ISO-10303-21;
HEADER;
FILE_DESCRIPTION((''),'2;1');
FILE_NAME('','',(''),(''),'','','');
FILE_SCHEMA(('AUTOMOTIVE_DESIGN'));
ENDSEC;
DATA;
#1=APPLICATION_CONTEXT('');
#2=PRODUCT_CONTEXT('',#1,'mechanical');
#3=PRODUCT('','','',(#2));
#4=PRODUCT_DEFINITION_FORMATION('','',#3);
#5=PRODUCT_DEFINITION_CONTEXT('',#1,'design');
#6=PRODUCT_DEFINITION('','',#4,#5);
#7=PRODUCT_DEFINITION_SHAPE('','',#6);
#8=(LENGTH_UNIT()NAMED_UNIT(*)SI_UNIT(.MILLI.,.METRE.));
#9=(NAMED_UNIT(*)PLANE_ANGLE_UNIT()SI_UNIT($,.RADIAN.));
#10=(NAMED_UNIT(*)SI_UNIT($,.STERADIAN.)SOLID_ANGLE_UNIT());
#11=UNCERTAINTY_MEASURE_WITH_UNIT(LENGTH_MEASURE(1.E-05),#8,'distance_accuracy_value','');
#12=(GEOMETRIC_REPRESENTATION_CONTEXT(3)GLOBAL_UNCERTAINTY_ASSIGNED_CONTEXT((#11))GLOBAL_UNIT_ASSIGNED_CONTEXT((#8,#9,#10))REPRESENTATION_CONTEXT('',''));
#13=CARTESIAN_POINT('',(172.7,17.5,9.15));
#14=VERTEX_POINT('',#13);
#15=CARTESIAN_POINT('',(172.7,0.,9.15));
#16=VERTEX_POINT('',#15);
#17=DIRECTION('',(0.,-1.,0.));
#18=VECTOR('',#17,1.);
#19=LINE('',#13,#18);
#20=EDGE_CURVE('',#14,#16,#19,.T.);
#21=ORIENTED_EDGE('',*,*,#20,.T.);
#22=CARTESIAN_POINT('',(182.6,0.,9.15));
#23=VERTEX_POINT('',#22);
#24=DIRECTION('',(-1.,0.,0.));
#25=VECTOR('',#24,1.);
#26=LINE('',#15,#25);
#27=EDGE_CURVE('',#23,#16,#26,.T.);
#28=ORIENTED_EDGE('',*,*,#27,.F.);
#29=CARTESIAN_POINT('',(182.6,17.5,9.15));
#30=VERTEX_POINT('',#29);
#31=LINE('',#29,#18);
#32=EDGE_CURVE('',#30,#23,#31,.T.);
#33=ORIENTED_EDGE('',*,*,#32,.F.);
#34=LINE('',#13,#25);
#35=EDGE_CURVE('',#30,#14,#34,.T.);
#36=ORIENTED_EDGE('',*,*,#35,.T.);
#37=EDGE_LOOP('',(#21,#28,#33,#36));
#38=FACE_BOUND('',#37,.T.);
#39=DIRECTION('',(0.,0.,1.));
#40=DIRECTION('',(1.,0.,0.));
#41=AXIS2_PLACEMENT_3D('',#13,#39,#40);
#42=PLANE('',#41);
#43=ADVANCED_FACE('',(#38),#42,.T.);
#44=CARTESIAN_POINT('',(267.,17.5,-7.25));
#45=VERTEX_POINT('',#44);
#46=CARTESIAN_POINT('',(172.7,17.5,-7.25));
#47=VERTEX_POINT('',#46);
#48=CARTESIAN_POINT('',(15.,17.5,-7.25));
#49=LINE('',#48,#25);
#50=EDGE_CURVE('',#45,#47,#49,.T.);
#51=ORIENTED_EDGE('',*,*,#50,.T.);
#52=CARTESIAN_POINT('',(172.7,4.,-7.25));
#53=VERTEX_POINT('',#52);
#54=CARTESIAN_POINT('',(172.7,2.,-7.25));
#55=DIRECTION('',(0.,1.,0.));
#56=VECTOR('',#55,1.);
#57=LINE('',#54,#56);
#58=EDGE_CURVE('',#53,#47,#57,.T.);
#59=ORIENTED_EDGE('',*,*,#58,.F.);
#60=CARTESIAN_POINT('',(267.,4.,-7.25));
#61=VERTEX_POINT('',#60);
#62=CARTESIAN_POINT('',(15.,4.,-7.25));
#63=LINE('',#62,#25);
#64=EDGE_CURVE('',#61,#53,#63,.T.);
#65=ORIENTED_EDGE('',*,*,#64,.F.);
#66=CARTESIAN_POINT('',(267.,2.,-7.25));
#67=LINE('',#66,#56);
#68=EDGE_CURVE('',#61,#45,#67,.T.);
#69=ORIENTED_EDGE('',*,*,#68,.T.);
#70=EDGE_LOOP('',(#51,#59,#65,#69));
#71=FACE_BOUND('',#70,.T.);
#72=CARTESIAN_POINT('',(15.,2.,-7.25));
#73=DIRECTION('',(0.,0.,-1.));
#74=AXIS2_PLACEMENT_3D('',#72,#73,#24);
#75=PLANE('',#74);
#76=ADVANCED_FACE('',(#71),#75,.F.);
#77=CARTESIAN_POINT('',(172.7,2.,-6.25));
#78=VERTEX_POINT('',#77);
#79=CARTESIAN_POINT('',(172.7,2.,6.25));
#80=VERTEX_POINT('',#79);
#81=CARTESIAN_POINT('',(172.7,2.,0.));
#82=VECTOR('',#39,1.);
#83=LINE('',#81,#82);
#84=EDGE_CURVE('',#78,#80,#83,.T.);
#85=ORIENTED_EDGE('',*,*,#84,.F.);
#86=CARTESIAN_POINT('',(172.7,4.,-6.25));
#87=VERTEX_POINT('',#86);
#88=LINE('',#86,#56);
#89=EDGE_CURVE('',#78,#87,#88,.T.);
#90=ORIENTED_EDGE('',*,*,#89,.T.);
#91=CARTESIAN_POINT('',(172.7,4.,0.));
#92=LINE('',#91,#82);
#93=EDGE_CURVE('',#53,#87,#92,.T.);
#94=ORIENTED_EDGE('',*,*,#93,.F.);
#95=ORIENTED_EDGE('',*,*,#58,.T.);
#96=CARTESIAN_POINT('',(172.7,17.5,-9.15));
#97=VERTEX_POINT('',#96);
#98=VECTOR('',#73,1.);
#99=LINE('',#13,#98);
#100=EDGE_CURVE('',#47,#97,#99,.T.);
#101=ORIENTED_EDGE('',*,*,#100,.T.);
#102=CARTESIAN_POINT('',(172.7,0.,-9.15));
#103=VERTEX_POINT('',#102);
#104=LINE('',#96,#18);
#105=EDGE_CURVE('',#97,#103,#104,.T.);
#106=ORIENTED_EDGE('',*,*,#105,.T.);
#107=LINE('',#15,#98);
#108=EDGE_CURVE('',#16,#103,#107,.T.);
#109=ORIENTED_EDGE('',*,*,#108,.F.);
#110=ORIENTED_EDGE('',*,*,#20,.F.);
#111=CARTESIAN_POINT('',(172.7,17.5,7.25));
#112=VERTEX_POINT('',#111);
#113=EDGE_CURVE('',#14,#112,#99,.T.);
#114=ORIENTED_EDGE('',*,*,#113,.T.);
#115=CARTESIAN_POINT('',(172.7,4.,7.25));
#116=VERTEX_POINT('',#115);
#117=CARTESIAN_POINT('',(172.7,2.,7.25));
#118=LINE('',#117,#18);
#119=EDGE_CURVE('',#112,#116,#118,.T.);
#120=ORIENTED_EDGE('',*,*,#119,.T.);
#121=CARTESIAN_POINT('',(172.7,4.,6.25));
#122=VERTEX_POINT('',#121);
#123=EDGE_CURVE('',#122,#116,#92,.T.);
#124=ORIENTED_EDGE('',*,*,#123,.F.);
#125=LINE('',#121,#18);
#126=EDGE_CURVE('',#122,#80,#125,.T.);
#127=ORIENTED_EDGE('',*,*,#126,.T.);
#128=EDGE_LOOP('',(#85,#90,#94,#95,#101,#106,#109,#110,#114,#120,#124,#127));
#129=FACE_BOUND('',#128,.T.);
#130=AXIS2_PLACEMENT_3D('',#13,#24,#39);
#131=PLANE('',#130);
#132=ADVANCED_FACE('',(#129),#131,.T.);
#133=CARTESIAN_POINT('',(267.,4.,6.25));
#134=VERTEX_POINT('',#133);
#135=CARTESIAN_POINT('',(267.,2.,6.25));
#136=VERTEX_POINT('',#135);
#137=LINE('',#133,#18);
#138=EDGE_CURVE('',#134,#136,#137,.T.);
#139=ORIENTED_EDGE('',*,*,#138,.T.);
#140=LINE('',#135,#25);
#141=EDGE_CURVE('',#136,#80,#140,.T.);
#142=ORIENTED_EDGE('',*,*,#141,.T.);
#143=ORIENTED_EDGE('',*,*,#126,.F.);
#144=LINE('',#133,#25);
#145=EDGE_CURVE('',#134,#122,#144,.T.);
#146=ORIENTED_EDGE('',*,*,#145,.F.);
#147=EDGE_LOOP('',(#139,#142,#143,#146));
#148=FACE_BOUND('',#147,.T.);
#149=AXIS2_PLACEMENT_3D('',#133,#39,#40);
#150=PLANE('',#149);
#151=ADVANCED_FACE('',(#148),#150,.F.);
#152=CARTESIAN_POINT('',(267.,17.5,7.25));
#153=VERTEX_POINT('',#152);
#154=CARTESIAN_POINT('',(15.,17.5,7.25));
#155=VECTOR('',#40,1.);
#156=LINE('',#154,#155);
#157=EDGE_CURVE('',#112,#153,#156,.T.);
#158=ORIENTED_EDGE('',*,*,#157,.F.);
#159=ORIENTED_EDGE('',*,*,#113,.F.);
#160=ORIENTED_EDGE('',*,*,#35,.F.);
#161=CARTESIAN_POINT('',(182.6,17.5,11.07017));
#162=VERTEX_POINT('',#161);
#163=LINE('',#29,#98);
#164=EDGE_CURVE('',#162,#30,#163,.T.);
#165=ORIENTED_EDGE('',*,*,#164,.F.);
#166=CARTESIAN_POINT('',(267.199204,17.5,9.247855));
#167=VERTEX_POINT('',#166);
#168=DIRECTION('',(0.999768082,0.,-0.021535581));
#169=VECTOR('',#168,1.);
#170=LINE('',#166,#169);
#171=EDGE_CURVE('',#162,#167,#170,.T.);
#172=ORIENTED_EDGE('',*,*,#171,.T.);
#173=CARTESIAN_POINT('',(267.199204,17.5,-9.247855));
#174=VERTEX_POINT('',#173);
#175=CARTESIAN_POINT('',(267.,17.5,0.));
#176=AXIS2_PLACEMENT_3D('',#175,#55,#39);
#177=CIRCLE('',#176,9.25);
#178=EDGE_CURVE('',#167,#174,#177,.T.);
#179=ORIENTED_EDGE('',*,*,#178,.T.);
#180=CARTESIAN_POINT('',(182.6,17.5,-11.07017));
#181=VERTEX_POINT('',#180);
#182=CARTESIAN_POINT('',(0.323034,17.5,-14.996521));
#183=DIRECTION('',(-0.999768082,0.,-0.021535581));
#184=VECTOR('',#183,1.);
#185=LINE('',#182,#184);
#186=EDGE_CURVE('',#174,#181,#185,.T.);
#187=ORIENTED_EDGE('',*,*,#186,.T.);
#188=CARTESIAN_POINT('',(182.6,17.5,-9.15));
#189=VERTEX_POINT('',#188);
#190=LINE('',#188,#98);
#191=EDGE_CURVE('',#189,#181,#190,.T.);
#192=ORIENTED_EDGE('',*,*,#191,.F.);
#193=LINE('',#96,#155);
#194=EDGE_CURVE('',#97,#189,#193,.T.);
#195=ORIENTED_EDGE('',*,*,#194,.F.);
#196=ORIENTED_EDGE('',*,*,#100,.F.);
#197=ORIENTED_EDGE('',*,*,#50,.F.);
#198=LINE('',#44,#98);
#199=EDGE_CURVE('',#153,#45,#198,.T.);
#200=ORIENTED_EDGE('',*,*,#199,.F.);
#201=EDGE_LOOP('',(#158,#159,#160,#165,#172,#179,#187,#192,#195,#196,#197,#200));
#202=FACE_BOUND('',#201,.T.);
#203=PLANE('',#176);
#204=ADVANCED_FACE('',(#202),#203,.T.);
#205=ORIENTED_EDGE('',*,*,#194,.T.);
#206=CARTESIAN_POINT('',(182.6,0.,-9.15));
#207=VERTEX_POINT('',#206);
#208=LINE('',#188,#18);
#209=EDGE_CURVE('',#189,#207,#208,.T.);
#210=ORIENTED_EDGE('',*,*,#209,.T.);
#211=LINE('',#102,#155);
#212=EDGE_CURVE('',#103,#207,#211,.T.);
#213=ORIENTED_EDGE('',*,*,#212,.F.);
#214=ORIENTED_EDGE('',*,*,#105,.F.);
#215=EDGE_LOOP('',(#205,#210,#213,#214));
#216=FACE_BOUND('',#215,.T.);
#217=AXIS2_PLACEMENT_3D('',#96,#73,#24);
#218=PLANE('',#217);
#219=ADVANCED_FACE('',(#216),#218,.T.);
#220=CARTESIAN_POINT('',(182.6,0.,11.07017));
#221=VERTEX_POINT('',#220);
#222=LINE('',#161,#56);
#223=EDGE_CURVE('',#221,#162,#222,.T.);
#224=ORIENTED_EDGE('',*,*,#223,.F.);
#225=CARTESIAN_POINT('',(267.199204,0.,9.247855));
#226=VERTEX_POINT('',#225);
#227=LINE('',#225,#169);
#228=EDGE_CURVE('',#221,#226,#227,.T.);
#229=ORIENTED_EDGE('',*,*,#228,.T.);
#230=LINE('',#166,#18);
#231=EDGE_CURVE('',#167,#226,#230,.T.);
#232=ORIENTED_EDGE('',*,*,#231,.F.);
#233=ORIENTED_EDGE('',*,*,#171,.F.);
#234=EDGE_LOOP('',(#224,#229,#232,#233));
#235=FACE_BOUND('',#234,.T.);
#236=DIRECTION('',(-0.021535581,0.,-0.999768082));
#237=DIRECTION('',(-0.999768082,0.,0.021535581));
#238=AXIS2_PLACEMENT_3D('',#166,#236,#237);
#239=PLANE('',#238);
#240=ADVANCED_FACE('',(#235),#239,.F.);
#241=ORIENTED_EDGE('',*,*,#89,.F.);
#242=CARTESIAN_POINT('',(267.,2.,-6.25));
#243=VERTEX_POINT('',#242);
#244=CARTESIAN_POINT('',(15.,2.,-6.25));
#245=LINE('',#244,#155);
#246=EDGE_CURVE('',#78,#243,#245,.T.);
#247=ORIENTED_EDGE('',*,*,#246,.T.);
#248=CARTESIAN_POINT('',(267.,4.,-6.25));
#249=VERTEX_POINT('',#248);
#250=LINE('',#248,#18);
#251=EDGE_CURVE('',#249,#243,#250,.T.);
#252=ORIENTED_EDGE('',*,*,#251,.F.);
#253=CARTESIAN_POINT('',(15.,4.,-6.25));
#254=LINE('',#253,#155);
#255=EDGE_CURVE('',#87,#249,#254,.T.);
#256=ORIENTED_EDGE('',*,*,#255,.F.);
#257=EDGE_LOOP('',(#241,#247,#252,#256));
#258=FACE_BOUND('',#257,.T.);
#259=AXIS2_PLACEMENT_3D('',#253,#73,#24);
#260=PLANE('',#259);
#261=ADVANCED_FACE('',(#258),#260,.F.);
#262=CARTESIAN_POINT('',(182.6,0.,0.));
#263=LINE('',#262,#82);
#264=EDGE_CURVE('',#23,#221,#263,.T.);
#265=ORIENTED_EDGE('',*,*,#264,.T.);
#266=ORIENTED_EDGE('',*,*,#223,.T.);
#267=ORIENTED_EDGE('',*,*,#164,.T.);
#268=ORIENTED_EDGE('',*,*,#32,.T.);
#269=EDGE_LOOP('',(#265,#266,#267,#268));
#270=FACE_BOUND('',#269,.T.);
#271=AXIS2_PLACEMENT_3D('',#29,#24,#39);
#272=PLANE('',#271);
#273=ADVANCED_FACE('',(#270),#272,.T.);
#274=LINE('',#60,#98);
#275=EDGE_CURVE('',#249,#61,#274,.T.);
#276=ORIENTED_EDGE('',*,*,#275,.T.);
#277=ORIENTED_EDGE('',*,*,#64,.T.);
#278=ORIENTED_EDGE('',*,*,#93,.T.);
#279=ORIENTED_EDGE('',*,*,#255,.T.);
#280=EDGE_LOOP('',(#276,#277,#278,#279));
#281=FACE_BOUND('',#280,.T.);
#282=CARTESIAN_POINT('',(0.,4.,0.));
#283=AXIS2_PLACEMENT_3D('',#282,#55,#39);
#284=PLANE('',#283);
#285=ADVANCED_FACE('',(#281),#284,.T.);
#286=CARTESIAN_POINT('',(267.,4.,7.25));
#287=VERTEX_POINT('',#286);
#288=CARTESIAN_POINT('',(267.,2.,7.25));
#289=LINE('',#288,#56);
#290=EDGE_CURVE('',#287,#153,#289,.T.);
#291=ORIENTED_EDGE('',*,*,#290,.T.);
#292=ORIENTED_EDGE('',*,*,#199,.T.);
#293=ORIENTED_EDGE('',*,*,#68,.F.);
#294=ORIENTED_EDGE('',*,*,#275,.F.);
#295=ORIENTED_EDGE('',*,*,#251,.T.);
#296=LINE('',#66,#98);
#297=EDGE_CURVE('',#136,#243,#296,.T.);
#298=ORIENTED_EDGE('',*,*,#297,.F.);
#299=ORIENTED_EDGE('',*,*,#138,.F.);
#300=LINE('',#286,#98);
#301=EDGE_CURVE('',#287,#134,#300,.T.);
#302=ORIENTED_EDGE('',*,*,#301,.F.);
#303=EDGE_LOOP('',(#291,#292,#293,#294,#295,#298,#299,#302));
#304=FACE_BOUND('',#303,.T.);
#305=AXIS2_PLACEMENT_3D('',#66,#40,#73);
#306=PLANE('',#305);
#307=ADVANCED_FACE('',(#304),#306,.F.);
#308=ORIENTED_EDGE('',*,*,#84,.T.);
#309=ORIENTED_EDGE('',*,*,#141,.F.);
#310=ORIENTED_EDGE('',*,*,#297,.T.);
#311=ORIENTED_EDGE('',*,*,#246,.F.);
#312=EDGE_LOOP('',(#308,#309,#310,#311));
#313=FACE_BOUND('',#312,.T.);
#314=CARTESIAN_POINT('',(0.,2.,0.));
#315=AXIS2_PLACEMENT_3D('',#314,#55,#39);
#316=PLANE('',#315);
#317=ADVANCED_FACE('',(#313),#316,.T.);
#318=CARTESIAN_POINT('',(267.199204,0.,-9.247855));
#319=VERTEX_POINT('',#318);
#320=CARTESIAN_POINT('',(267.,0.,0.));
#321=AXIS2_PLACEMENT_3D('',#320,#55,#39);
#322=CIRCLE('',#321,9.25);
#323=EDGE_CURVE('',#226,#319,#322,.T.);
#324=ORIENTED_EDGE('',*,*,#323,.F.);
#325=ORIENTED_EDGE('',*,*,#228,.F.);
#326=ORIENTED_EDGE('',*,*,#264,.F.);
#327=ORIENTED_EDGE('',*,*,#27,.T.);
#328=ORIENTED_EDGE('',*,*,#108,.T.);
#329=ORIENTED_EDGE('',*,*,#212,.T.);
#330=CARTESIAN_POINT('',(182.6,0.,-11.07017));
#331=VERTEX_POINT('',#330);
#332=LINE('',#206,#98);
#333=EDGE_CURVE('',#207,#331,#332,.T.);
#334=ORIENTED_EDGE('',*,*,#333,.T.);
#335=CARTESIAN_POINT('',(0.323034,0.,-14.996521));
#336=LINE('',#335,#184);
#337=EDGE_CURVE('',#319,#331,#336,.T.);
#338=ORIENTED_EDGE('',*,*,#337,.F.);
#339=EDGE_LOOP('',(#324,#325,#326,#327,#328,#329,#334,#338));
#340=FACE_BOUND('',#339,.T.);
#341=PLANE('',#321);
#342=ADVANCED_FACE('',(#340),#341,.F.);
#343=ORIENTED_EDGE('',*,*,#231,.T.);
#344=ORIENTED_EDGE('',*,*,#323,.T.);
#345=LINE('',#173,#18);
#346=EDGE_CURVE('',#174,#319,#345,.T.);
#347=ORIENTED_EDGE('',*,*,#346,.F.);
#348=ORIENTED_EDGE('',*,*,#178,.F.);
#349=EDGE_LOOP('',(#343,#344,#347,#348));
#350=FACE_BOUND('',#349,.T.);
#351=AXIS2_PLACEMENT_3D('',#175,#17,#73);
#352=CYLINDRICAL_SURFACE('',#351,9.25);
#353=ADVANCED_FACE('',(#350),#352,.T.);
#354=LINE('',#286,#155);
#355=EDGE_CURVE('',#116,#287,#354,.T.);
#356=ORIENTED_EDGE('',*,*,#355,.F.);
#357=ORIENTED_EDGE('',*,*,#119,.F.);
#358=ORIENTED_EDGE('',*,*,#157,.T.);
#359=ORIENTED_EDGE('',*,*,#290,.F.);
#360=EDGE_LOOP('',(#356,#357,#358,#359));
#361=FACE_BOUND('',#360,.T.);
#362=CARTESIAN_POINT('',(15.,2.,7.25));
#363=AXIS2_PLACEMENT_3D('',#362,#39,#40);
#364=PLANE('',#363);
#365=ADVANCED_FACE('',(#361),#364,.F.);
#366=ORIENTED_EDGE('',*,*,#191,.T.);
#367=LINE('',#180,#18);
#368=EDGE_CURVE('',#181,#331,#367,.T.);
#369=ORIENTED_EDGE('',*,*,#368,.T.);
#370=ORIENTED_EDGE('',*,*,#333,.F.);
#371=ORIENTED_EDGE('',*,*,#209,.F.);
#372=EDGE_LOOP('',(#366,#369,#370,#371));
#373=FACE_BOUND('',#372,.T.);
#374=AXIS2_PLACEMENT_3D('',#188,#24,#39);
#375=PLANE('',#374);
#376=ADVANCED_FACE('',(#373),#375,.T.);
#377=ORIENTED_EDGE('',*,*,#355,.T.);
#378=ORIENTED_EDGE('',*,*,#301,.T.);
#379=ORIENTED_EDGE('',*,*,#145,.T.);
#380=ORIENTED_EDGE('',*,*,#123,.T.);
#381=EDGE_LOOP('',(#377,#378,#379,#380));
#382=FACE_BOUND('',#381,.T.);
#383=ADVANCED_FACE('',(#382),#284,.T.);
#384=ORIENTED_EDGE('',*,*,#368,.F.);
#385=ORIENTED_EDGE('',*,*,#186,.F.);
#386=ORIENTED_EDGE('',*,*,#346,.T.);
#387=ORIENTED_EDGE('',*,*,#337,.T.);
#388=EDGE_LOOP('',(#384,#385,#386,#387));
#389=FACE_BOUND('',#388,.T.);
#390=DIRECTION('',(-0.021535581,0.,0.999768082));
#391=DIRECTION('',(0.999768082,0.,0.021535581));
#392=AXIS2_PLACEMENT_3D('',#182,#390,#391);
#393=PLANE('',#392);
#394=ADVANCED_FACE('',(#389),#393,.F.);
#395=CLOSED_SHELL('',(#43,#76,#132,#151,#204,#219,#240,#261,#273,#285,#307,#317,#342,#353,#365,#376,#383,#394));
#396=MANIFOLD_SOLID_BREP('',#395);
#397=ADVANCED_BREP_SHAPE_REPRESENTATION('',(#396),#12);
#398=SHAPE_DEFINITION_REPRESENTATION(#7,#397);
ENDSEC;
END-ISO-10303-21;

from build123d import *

# Parameters (mm, degrees)
BOSS_EXTRUDE1_DEPTH     = 17.5
SKETCH2_W               = 252
SKETCH2_H               = 14.5
CUT_EXTRUDE1_DEPTH      = 15.5
SKETCH3_R               = 13
CUT_EXTRUDE2_DEPTH      = 15.5
CUT_EXTRUDE3_REACH      = 264.265
CUT_EXTRUDE3_END_RADIUS = 13
SKETCH5_W               = 252
SKETCH5_H               = 1
BOSS_EXTRUDE2_DEPTH     = 2
SKETCH6_R               = 1
CUT_EXTRUDE4_DEPTH      = 2
CUT_EXTRUDE9_DEPTH      = 278.209870862


with BuildPart() as part:
    # Sketch1 → Boss-Extrude1 (new body)
    with BuildSketch(Plane(origin=(0, 0, 0), x_dir=(1, 0, 0), z_dir=(0, 1, 0))):
        with BuildLine():
            Line((0.323033708, 14.996521237), (267.19920412, 9.247854763))
            ThreePointArc((267.19920412, 9.247854763), (276.25, 0), (267.19920412, -9.247854763))
            Line((267.19920412, -9.247854763), (0.323033708, -14.996521237))
            ThreePointArc((0.323033708, -14.996521237), (-15, 0), (0.323033708, 14.996521237))
        make_face()
    extrude(amount=BOSS_EXTRUDE1_DEPTH)

    # Sketch2 → Cut-Extrude1 (cut)
    with BuildSketch(Plane(origin=(0, 17.5, 0), x_dir=(1, 0, 0), z_dir=(0, 1, 0))):
        with Locations((141, 0)):
            Rectangle(SKETCH2_W, SKETCH2_H)
    extrude(amount=-CUT_EXTRUDE1_DEPTH, mode=Mode.SUBTRACT)

    # Sketch3 → Cut-Extrude2 (cut)
    with BuildSketch(Plane(origin=(0, 17.5, 0), x_dir=(1, 0, 0), z_dir=(0, 1, 0))):
        with Locations(Location((0, 0, 0), (0, 0, 270))):
            Circle(SKETCH3_R)
    extrude(amount=-CUT_EXTRUDE2_DEPTH, mode=Mode.SUBTRACT)

    # Cut-Extrude3: up to this cylinder (the profile starts outside it)
    cut_extrude3_end = Plane(origin=(0, 8.125709, 0), z_dir=(0, 1, 0)) * Cylinder(CUT_EXTRUDE3_END_RADIUS, 555.53, mode=Mode.PRIVATE)
    # Sketch4 → Cut-Extrude3 (cut, up to the surface)
    with BuildSketch(Plane(origin=(15, 0, 0), x_dir=(0, 0, -1), z_dir=(1, 0, 0)), mode=Mode.PRIVATE) as cut_extrude3_sk1:
        with BuildLine():
            Line((-7.25, 2), (7.25, 2))
            Line((7.25, 2), (7.25, 8.5))
            ThreePointArc((7.25, 8.5), (5.199747468, 13.449747468), (0.25, 15.5))
            Line((0.25, 15.5), (-0.25, 15.5))
            ThreePointArc((-0.25, 15.5), (-5.199747468, 13.449747468), (-7.25, 8.5))
            Line((-7.25, 8.5), (-7.25, 2))
        make_face()
    cut_extrude3_tool1 = extrude(cut_extrude3_sk1.sketch, amount=-CUT_EXTRUDE3_REACH, mode=Mode.PRIVATE) - cut_extrude3_end
    add(cut_extrude3_tool1.solids().sort_by_distance((15, 8.125709, 0))[0], mode=Mode.SUBTRACT)

    # Sketch5 → Boss-Extrude2 (add)
    with BuildSketch(Plane(origin=(0, 2, 0), x_dir=(1, 0, 0), z_dir=(0, 1, 0))):
        with Locations((141, 6.75)):
            Rectangle(SKETCH5_W, SKETCH5_H)
        with Locations((141, -6.75)):
            Rectangle(SKETCH5_W, SKETCH5_H)
    extrude(amount=BOSS_EXTRUDE2_DEPTH)

    # Sketch6 → Cut-Extrude4 (cut)
    with BuildSketch(Plane(origin=(0, 2, 0), x_dir=(1, 0, 0), z_dir=(0, 1, 0))):
        with Locations(Location((-5.25, 9.09326674, 0), (0, 0, 270))):
            Circle(SKETCH6_R)
        with Locations(Location((-10.5, 0, 0), (0, 0, 270))):
            Circle(SKETCH6_R)
        with Locations(Location((5.25, 9.09326674, 0), (0, 0, 270))):
            Circle(SKETCH6_R)
        with Locations(Location((10.5, 0, 0), (0, 0, 270))):
            Circle(SKETCH6_R)
        with Locations(Location((5.25, -9.09326674, 0), (0, 0, 270))):
            Circle(SKETCH6_R)
        with Locations(Location((-5.25, -9.09326674, 0), (0, 0, 270))):
            Circle(SKETCH6_R)
        Polygon((0, -10), (8.660254038, -5), (8.660254038, 5), (0, 10), (-8.660254038, 5), (-8.660254038, -5), align=None)
    extrude(amount=-CUT_EXTRUDE4_DEPTH, mode=Mode.SUBTRACT)

    # Sketch14 → Cut-Extrude9 (cut, through all)
    with BuildSketch(Plane(origin=(0, 0, 0), x_dir=(1, 0, 0), z_dir=(0, 1, 0))):
        Polygon((88.5, 9.35), (78.6, 9.35), (78.6, 35), (78.4, 35), (78.4, 9.15), (88.3, 9.15), (88.3, -9.15), (78.4, -9.15), (78.4, -35), (78.6, -35), (78.6, -9.35), (88.5, -9.35), align=None)
        Polygon((172.7, 9.15), (182.6, 9.15), (182.6, 35), (182.4, 35), (182.4, 9.35), (172.5, 9.35), (172.5, 9.25), (172.5, -9.35), (182.4, -9.35), (182.4, -35), (182.6, -35), (182.6, -9.15), (172.7, -9.15), align=None)
    extrude(amount=CUT_EXTRUDE9_DEPTH, mode=Mode.SUBTRACT)


with BuildPart() as cut_extrude9_kept_piece:
    # of the separate pieces the step leaves, the one the design keeps (cut_extrude9_pieces_kept)
    add(part.part.solids().sort_by_distance((267.19920412, 0, 9.247854763))[0])


solid = cut_extrude9_kept_piece.part
